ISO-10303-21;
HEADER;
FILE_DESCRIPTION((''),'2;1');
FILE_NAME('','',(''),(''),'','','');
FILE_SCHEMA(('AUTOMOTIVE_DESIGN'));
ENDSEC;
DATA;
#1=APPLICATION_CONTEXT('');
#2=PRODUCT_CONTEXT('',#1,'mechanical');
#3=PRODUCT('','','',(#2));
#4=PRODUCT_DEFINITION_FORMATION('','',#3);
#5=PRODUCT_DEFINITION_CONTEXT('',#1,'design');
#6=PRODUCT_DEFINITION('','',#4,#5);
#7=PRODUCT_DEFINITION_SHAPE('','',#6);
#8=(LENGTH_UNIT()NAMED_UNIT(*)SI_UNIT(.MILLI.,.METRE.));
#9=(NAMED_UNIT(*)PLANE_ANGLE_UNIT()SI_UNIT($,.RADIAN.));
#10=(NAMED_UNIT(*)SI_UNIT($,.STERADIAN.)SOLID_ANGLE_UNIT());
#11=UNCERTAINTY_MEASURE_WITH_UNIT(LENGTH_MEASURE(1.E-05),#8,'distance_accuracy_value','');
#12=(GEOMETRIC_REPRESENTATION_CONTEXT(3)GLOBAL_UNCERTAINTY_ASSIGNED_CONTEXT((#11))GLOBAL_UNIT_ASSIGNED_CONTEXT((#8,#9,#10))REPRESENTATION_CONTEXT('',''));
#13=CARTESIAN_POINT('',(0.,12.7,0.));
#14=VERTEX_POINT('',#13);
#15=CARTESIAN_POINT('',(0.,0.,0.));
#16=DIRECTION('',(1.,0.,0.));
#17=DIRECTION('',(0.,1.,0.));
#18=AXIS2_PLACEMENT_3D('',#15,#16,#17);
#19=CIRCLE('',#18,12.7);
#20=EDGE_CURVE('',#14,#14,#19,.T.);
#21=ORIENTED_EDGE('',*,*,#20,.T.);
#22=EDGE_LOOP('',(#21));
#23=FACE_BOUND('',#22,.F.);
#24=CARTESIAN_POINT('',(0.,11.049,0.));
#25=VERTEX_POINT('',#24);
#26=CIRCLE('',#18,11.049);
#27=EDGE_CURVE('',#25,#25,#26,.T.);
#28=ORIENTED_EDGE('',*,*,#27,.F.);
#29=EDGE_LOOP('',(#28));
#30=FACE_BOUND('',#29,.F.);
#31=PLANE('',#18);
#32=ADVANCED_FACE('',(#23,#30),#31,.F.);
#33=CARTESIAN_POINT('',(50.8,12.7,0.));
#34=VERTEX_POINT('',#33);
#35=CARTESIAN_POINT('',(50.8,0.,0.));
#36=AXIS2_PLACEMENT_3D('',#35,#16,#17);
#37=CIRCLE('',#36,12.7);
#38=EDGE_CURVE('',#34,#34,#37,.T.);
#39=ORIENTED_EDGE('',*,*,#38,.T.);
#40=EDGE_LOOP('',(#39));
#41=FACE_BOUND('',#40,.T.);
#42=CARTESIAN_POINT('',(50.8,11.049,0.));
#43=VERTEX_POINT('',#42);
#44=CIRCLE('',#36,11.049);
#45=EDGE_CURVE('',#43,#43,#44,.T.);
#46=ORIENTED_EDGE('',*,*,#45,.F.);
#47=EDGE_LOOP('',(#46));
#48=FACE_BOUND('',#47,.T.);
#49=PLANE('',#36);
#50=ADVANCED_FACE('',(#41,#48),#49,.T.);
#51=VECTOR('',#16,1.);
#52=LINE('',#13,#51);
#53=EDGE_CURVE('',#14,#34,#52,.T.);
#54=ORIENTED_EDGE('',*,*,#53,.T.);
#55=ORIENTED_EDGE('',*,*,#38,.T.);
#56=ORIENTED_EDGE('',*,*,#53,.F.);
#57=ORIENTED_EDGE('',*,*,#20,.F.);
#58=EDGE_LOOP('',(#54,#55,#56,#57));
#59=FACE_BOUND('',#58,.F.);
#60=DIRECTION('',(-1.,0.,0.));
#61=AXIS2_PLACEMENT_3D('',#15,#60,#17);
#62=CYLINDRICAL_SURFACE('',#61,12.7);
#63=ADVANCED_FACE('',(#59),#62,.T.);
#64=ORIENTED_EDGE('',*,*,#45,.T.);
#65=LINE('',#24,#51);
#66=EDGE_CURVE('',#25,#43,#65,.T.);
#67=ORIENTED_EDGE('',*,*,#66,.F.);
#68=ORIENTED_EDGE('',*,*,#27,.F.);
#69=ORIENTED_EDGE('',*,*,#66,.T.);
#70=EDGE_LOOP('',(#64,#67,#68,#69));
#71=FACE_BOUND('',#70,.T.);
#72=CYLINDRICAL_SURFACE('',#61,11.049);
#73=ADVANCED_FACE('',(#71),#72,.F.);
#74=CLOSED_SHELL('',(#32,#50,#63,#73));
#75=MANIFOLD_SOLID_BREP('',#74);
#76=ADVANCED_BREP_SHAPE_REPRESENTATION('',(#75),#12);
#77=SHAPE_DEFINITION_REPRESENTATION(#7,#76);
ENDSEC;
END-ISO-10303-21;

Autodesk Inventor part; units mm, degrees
ref_plane "XZ Plane" through (0, 0, 0) normal (0, 1, 0) x (-1, 0, 0)
ref_plane "Start Plane" through (0, 0, 0) normal (1, 0, 0) x (0, 1, 0)
ref_plane "End Plane" through (50.8, 0, 0) normal (1, 0, 0) x (0, 1, 0)
sketch "Sketch" plane through (0, 0, 0) normal (1, 0, 0) x (0, 1, 0)
  circle A0 centre (0, 0) radius 12.7
  circle A1 centre (0, 0) radius 11.049
  dimension "d0" = 25.4
  dimension "d1" = 1.651
extrude "Body" add sketch "Sketch" along normal up to surface (50.8 mm away) from surface at 0
sketch "Sketch2" plane through (0, 0, 0) normal (1, 0, 0) x (0, 1, 0)
  line L0 (0, 0) -> (10, 0)
ref_plane "Work Plane3" through (0, 0, 0) normal (0, 0, -1) x (0, 1, 0)
sketch "Sketch3" plane through (0, 0, 0) normal (0, 0, -1) x (0, 1, 0)
  line L0 (-2, 0) -> (12, 0)
  line L1 (-2, 50.8) -> (12, 50.8)
  dimension "d9" = 50.8
equation "\"G_OFFSET_START\" = 0"
equation "\"G_OFFSET_END\" = 0"
equation "\"d5\" = d2 + G_OFFSET_END"
equation "\"G_L\" = d9"
equation "\"d2\" = 50.8"
properties part number "4130_1x0.065" material "Steel, Alloy"
